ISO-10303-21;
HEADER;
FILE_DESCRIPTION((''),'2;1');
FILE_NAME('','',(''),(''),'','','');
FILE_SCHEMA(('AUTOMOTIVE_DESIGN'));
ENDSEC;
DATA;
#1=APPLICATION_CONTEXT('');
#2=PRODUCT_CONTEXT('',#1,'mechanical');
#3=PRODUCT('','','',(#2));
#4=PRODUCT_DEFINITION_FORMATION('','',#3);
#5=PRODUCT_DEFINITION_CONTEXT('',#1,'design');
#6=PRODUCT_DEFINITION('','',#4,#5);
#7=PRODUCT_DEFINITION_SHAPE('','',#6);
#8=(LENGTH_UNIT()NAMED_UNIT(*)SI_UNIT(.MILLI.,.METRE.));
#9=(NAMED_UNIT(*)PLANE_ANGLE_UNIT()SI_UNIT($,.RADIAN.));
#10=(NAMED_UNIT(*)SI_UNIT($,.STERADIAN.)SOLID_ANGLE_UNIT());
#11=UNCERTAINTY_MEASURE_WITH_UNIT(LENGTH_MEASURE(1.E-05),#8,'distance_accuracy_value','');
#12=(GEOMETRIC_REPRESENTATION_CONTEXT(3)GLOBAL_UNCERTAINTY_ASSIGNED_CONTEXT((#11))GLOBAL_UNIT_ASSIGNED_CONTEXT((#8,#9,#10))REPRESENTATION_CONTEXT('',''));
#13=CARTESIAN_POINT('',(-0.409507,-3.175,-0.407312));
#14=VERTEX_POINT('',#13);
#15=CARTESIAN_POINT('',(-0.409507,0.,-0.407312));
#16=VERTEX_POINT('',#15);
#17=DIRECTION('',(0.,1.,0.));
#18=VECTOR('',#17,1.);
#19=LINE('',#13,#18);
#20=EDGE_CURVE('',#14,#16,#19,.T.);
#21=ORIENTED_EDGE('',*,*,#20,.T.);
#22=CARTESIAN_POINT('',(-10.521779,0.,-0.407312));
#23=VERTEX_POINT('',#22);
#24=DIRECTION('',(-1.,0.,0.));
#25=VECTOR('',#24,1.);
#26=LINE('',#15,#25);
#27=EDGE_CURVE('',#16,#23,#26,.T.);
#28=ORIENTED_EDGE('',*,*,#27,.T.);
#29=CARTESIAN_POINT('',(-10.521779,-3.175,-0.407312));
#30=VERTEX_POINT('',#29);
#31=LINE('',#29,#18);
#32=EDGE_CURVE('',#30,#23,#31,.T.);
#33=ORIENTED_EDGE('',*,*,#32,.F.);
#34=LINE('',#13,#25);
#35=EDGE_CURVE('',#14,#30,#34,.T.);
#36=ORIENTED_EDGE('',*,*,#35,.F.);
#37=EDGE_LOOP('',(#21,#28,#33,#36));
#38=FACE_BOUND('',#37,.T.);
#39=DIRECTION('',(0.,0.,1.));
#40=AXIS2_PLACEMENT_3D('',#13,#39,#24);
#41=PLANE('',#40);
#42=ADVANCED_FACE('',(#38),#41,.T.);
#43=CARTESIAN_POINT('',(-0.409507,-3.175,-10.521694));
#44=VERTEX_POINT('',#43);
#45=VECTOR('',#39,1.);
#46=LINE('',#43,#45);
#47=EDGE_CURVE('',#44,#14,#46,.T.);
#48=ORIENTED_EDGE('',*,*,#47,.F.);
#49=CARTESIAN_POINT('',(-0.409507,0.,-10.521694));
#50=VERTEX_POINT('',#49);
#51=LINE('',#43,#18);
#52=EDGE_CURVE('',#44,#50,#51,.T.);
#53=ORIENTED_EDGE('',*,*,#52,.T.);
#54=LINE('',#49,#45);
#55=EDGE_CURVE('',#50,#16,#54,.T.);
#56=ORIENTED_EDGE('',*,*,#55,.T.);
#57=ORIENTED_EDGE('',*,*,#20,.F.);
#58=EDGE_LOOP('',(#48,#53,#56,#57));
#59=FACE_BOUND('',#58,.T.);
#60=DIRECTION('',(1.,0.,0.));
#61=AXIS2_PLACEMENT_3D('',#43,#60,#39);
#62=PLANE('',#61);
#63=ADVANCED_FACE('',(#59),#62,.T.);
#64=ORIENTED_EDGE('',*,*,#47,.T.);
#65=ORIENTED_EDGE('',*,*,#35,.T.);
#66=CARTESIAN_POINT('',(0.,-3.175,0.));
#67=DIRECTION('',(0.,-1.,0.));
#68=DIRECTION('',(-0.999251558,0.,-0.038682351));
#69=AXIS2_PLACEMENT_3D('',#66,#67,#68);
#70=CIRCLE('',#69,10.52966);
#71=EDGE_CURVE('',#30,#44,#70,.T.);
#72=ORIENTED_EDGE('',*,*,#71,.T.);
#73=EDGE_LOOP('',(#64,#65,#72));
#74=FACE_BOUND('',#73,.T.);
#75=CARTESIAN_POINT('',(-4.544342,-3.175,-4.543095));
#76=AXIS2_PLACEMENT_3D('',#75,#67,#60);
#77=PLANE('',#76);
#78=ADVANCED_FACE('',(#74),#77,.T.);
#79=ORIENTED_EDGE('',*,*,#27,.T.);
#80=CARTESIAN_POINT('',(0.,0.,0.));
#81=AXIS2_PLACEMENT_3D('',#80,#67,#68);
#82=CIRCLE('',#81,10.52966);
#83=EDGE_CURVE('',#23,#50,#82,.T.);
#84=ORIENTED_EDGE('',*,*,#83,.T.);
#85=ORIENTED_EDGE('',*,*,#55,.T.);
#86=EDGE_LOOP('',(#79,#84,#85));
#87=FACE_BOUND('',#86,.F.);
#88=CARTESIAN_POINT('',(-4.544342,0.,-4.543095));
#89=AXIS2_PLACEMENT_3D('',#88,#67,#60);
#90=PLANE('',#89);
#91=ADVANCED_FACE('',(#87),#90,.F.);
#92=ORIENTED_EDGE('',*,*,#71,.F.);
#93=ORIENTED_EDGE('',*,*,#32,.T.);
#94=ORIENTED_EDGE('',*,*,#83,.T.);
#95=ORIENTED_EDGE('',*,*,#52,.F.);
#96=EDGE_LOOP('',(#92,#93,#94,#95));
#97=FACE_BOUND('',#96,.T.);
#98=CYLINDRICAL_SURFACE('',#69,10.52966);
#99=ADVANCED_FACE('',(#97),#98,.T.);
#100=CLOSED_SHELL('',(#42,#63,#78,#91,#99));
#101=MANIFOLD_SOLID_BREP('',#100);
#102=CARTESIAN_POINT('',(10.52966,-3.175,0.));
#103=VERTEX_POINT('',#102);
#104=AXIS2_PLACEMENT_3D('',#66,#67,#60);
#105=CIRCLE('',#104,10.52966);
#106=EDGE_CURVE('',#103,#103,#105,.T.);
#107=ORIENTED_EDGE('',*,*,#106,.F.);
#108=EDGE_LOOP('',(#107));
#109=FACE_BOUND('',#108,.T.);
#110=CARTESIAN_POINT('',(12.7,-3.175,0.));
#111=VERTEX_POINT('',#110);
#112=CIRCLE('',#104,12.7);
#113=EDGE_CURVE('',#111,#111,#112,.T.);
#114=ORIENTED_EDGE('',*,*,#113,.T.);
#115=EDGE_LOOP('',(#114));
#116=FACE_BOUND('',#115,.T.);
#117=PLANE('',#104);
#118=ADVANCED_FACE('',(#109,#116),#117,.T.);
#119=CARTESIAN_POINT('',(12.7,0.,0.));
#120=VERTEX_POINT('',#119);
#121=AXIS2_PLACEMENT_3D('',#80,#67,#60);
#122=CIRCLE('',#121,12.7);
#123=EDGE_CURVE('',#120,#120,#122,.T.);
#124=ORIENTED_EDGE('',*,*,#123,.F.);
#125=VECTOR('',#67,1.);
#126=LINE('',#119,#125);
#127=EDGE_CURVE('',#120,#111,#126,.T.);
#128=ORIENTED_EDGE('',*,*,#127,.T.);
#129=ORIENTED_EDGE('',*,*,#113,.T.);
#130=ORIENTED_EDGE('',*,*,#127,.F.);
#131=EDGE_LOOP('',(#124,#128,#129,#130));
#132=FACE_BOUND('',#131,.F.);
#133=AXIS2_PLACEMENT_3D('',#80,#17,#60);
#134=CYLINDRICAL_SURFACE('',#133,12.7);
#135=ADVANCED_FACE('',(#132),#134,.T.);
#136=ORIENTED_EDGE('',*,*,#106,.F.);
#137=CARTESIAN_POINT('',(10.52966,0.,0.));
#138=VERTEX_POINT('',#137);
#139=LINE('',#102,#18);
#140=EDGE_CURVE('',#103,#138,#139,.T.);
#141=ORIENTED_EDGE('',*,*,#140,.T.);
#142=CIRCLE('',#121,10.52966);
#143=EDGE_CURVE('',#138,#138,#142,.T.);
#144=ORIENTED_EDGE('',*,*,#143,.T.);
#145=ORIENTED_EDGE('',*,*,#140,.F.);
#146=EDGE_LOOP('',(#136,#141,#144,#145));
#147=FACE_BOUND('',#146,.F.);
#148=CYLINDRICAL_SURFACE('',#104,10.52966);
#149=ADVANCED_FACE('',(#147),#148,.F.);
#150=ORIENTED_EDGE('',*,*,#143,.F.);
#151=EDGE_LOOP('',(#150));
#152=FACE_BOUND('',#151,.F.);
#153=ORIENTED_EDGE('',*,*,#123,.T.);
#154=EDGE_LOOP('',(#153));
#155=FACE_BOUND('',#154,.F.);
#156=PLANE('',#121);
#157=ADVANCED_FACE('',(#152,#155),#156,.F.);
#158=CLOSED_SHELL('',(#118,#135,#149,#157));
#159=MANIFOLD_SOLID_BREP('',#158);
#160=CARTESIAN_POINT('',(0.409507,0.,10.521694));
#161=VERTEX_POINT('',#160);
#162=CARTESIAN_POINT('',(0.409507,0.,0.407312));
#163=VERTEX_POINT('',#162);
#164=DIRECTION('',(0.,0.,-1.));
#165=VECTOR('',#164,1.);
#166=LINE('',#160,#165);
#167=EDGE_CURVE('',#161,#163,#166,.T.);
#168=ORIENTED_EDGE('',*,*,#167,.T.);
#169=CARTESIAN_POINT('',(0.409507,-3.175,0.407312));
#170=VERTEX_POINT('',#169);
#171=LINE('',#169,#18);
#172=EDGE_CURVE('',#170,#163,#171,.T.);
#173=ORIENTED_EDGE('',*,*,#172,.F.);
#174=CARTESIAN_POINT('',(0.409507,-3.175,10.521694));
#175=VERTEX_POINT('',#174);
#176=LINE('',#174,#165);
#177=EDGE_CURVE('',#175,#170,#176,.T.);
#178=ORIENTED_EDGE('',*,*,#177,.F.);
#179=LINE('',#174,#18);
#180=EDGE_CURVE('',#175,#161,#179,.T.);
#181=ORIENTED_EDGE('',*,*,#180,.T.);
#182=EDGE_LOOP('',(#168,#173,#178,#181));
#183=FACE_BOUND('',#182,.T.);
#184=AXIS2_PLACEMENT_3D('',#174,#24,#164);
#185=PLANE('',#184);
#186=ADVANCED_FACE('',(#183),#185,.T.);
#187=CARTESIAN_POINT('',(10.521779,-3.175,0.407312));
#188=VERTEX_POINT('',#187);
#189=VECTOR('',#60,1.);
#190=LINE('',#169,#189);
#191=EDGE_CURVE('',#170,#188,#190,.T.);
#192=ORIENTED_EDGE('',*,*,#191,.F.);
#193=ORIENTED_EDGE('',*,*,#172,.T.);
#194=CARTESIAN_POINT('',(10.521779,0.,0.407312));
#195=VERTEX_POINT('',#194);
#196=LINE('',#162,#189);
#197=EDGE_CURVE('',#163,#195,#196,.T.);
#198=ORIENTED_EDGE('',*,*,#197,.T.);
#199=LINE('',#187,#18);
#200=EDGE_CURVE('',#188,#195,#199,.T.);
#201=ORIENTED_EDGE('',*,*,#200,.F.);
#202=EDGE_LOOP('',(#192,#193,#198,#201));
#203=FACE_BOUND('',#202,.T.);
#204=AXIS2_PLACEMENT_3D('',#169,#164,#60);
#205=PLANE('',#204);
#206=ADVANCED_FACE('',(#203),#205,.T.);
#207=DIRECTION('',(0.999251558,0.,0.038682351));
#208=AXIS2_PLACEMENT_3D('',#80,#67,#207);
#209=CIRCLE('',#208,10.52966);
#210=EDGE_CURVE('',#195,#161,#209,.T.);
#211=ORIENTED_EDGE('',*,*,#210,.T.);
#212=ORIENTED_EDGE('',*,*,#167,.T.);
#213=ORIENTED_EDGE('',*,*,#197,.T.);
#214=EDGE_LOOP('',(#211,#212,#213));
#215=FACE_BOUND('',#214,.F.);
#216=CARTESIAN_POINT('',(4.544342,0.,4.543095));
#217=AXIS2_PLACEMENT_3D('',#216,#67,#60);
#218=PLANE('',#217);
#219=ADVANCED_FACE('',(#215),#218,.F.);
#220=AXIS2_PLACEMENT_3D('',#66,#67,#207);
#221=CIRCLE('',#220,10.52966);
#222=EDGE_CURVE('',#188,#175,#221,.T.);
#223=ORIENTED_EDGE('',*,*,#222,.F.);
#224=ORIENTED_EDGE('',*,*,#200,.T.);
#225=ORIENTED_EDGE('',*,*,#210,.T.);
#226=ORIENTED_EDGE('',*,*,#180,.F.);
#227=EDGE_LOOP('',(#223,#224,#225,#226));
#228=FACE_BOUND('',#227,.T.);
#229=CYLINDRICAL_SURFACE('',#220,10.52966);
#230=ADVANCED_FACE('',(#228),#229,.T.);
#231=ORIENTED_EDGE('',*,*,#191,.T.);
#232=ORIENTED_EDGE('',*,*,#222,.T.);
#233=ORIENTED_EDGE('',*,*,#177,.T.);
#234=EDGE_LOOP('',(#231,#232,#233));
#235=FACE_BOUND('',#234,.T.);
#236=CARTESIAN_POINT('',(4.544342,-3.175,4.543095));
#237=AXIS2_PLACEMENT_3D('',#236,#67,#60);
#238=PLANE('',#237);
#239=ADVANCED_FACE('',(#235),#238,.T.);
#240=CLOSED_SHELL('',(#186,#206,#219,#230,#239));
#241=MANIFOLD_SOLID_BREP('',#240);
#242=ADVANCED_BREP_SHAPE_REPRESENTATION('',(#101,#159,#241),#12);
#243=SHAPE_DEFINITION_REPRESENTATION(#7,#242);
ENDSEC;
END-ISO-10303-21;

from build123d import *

# Parameters (mm, degrees)
F0_R     = 12.7
F1_DEPTH = 3.175
F2_R     = 10.529660326
F3_DEPTH = 25.4
F5_DEPTH = 3.175


with BuildPart() as f1:
    # F0 (on Front) → F1 (new body)
    with BuildSketch(Plane.XZ):
        Circle(F0_R)
    extrude(amount=F1_DEPTH)

    # F2 (on face) → F3 (cut)
    with BuildSketch(Plane.XZ.offset(3.175)):
        Circle(F2_R)
    extrude(amount=-F3_DEPTH, mode=Mode.SUBTRACT)


with BuildPart() as f5:
    # F4 (on face) → F5 (new body)
    with BuildSketch(Plane.XZ.offset(3.175)):
        with BuildLine():
            Line((0.4095073219, 10.5216942711), (0.4095073219, 0.4073120146))
            Line((0.4095073219, 0.4073120146), (10.5217794837, 0.4073120146))
            ThreePointArc((10.5217794837, 0.4073120146), (7.4463709224, 7.4448174368), (0.4095073219, 10.5216942711))
        make_face()
    extrude(amount=-F5_DEPTH)


with BuildPart() as f5b:
    # F4 (on face) → F5, piece 2 (new body)
    with BuildSketch(Plane.XZ.offset(3.175)):
        with BuildLine():
            ThreePointArc((-10.5217794837, -0.4073120146), (-7.4463709224, -7.4448174368), (-0.4095073219, -10.5216942711))
            Line((-0.4095073219, -10.5216942711), (-0.4095073219, -0.4073120146))
            Line((-0.4095073219, -0.4073120146), (-10.5217794837, -0.4073120146))
        make_face()
    extrude(amount=-F5_DEPTH)


solid = Compound([f1.part, f5.part, f5b.part])
